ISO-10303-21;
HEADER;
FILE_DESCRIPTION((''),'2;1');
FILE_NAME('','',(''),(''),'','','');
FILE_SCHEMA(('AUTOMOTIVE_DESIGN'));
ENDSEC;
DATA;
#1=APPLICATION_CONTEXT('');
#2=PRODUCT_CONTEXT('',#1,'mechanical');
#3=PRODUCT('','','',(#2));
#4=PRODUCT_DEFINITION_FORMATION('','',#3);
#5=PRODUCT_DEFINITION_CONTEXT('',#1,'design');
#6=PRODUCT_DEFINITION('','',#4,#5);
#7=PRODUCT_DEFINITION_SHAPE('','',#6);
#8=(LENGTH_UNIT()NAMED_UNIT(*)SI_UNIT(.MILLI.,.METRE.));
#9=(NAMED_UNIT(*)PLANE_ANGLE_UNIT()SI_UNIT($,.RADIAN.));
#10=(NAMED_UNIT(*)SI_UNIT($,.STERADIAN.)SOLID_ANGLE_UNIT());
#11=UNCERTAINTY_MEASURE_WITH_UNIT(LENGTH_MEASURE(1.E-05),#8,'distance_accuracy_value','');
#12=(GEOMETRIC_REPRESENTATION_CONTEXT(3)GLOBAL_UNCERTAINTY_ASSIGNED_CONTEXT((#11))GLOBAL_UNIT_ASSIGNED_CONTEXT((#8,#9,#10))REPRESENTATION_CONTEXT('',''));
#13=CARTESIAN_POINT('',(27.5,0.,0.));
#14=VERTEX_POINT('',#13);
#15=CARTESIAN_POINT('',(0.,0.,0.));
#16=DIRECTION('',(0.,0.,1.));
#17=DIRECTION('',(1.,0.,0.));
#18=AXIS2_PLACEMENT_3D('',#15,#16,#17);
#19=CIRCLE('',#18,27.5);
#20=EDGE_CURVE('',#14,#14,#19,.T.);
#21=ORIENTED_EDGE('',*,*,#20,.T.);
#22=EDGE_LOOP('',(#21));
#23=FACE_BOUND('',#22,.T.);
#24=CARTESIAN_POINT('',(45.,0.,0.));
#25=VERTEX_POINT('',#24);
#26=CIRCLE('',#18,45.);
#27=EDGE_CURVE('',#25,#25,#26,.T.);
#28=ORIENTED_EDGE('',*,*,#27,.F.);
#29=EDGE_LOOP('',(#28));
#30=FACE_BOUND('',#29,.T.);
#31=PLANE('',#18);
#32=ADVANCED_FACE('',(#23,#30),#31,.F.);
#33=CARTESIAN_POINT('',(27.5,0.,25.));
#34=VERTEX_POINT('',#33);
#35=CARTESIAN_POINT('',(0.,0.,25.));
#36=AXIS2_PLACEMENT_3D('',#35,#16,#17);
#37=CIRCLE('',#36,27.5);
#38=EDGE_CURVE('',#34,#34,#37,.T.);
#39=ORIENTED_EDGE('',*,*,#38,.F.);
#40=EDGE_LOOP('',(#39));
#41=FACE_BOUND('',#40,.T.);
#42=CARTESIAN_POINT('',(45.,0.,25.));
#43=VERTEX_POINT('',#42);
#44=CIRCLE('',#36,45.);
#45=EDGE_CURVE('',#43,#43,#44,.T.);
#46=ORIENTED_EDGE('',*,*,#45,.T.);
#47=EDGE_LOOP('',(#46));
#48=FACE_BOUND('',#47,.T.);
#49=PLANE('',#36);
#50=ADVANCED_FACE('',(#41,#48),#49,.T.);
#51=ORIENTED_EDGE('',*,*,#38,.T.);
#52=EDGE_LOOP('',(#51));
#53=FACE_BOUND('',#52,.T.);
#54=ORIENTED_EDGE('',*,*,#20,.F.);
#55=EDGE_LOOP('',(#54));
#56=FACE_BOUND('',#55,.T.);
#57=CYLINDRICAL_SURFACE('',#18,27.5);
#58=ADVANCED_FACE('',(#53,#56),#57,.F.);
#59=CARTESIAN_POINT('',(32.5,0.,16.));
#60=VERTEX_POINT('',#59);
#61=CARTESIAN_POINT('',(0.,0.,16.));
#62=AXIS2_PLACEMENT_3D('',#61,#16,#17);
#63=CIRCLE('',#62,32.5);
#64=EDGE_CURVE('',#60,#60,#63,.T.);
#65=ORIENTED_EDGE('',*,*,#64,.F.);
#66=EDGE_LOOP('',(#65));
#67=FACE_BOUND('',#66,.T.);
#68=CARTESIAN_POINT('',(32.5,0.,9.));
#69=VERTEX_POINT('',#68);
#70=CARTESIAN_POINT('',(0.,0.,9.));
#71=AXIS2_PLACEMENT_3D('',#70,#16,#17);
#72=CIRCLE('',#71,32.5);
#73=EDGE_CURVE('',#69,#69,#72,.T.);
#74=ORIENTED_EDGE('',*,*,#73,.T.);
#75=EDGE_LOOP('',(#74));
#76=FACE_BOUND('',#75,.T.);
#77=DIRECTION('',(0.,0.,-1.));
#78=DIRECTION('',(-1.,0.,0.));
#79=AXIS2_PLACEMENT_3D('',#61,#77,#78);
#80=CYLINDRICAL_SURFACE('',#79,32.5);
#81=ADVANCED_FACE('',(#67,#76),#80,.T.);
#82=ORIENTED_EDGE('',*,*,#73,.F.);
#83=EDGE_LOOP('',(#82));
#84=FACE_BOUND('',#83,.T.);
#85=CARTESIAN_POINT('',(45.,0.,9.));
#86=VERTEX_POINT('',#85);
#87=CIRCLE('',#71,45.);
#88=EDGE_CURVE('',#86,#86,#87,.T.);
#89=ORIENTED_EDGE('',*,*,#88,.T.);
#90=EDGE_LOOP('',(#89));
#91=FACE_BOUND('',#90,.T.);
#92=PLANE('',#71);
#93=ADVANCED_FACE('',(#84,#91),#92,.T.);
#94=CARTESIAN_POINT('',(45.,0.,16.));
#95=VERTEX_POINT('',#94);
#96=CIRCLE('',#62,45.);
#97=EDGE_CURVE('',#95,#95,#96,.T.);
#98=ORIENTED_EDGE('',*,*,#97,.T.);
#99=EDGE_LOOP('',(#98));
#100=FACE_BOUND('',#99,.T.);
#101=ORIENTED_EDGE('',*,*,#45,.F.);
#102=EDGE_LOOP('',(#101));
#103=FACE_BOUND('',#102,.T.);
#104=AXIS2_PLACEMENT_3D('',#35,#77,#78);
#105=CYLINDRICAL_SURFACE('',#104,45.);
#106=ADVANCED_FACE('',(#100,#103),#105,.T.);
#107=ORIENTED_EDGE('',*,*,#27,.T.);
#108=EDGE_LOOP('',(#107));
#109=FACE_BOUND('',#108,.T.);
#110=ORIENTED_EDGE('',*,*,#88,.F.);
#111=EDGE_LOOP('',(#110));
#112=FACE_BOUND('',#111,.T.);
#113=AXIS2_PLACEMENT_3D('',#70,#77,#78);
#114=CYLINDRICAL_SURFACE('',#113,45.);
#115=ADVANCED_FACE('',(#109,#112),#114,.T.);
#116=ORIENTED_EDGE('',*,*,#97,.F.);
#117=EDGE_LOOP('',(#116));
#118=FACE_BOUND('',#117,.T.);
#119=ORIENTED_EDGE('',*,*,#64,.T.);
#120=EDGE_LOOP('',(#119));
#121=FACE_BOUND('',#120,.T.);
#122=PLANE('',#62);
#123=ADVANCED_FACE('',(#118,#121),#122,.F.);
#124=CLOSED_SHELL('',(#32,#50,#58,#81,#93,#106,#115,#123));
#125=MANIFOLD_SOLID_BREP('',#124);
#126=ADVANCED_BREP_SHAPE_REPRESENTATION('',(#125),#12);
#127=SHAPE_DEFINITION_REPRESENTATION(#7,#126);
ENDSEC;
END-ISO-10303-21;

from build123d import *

# Parameters (mm, degrees)
SKETCH1_R           = 45
BOSS_EXTRUDE1_DEPTH = 9
SKETCH2_R           = 32.5
BOSS_EXTRUDE4_DEPTH = 7
SKETCH4_R           = 45
BOSS_EXTRUDE5_DEPTH = 9
SKETCH5_R           = 27.5
CUT_EXTRUDE1_DEPTH  = 25


with BuildPart() as part:
    # Sketch1 → Boss-Extrude1 (new body)
    with BuildSketch(Plane.XY):
        Circle(SKETCH1_R)
    extrude(amount=BOSS_EXTRUDE1_DEPTH)

    # Sketch2 → Boss-Extrude4 (add)
    with BuildSketch(Plane.XY.offset(9)):
        Circle(SKETCH2_R)
    extrude(amount=BOSS_EXTRUDE4_DEPTH)

    # Sketch4 → Boss-Extrude5 (add)
    with BuildSketch(Plane.XY.offset(16)):
        Circle(SKETCH4_R)
    extrude(amount=BOSS_EXTRUDE5_DEPTH)

    # Sketch5 → Cut-Extrude1 (cut)
    with BuildSketch(Plane.XY.offset(25)):
        Circle(SKETCH5_R)
    extrude(amount=-CUT_EXTRUDE1_DEPTH, mode=Mode.SUBTRACT)


solid = part.part
